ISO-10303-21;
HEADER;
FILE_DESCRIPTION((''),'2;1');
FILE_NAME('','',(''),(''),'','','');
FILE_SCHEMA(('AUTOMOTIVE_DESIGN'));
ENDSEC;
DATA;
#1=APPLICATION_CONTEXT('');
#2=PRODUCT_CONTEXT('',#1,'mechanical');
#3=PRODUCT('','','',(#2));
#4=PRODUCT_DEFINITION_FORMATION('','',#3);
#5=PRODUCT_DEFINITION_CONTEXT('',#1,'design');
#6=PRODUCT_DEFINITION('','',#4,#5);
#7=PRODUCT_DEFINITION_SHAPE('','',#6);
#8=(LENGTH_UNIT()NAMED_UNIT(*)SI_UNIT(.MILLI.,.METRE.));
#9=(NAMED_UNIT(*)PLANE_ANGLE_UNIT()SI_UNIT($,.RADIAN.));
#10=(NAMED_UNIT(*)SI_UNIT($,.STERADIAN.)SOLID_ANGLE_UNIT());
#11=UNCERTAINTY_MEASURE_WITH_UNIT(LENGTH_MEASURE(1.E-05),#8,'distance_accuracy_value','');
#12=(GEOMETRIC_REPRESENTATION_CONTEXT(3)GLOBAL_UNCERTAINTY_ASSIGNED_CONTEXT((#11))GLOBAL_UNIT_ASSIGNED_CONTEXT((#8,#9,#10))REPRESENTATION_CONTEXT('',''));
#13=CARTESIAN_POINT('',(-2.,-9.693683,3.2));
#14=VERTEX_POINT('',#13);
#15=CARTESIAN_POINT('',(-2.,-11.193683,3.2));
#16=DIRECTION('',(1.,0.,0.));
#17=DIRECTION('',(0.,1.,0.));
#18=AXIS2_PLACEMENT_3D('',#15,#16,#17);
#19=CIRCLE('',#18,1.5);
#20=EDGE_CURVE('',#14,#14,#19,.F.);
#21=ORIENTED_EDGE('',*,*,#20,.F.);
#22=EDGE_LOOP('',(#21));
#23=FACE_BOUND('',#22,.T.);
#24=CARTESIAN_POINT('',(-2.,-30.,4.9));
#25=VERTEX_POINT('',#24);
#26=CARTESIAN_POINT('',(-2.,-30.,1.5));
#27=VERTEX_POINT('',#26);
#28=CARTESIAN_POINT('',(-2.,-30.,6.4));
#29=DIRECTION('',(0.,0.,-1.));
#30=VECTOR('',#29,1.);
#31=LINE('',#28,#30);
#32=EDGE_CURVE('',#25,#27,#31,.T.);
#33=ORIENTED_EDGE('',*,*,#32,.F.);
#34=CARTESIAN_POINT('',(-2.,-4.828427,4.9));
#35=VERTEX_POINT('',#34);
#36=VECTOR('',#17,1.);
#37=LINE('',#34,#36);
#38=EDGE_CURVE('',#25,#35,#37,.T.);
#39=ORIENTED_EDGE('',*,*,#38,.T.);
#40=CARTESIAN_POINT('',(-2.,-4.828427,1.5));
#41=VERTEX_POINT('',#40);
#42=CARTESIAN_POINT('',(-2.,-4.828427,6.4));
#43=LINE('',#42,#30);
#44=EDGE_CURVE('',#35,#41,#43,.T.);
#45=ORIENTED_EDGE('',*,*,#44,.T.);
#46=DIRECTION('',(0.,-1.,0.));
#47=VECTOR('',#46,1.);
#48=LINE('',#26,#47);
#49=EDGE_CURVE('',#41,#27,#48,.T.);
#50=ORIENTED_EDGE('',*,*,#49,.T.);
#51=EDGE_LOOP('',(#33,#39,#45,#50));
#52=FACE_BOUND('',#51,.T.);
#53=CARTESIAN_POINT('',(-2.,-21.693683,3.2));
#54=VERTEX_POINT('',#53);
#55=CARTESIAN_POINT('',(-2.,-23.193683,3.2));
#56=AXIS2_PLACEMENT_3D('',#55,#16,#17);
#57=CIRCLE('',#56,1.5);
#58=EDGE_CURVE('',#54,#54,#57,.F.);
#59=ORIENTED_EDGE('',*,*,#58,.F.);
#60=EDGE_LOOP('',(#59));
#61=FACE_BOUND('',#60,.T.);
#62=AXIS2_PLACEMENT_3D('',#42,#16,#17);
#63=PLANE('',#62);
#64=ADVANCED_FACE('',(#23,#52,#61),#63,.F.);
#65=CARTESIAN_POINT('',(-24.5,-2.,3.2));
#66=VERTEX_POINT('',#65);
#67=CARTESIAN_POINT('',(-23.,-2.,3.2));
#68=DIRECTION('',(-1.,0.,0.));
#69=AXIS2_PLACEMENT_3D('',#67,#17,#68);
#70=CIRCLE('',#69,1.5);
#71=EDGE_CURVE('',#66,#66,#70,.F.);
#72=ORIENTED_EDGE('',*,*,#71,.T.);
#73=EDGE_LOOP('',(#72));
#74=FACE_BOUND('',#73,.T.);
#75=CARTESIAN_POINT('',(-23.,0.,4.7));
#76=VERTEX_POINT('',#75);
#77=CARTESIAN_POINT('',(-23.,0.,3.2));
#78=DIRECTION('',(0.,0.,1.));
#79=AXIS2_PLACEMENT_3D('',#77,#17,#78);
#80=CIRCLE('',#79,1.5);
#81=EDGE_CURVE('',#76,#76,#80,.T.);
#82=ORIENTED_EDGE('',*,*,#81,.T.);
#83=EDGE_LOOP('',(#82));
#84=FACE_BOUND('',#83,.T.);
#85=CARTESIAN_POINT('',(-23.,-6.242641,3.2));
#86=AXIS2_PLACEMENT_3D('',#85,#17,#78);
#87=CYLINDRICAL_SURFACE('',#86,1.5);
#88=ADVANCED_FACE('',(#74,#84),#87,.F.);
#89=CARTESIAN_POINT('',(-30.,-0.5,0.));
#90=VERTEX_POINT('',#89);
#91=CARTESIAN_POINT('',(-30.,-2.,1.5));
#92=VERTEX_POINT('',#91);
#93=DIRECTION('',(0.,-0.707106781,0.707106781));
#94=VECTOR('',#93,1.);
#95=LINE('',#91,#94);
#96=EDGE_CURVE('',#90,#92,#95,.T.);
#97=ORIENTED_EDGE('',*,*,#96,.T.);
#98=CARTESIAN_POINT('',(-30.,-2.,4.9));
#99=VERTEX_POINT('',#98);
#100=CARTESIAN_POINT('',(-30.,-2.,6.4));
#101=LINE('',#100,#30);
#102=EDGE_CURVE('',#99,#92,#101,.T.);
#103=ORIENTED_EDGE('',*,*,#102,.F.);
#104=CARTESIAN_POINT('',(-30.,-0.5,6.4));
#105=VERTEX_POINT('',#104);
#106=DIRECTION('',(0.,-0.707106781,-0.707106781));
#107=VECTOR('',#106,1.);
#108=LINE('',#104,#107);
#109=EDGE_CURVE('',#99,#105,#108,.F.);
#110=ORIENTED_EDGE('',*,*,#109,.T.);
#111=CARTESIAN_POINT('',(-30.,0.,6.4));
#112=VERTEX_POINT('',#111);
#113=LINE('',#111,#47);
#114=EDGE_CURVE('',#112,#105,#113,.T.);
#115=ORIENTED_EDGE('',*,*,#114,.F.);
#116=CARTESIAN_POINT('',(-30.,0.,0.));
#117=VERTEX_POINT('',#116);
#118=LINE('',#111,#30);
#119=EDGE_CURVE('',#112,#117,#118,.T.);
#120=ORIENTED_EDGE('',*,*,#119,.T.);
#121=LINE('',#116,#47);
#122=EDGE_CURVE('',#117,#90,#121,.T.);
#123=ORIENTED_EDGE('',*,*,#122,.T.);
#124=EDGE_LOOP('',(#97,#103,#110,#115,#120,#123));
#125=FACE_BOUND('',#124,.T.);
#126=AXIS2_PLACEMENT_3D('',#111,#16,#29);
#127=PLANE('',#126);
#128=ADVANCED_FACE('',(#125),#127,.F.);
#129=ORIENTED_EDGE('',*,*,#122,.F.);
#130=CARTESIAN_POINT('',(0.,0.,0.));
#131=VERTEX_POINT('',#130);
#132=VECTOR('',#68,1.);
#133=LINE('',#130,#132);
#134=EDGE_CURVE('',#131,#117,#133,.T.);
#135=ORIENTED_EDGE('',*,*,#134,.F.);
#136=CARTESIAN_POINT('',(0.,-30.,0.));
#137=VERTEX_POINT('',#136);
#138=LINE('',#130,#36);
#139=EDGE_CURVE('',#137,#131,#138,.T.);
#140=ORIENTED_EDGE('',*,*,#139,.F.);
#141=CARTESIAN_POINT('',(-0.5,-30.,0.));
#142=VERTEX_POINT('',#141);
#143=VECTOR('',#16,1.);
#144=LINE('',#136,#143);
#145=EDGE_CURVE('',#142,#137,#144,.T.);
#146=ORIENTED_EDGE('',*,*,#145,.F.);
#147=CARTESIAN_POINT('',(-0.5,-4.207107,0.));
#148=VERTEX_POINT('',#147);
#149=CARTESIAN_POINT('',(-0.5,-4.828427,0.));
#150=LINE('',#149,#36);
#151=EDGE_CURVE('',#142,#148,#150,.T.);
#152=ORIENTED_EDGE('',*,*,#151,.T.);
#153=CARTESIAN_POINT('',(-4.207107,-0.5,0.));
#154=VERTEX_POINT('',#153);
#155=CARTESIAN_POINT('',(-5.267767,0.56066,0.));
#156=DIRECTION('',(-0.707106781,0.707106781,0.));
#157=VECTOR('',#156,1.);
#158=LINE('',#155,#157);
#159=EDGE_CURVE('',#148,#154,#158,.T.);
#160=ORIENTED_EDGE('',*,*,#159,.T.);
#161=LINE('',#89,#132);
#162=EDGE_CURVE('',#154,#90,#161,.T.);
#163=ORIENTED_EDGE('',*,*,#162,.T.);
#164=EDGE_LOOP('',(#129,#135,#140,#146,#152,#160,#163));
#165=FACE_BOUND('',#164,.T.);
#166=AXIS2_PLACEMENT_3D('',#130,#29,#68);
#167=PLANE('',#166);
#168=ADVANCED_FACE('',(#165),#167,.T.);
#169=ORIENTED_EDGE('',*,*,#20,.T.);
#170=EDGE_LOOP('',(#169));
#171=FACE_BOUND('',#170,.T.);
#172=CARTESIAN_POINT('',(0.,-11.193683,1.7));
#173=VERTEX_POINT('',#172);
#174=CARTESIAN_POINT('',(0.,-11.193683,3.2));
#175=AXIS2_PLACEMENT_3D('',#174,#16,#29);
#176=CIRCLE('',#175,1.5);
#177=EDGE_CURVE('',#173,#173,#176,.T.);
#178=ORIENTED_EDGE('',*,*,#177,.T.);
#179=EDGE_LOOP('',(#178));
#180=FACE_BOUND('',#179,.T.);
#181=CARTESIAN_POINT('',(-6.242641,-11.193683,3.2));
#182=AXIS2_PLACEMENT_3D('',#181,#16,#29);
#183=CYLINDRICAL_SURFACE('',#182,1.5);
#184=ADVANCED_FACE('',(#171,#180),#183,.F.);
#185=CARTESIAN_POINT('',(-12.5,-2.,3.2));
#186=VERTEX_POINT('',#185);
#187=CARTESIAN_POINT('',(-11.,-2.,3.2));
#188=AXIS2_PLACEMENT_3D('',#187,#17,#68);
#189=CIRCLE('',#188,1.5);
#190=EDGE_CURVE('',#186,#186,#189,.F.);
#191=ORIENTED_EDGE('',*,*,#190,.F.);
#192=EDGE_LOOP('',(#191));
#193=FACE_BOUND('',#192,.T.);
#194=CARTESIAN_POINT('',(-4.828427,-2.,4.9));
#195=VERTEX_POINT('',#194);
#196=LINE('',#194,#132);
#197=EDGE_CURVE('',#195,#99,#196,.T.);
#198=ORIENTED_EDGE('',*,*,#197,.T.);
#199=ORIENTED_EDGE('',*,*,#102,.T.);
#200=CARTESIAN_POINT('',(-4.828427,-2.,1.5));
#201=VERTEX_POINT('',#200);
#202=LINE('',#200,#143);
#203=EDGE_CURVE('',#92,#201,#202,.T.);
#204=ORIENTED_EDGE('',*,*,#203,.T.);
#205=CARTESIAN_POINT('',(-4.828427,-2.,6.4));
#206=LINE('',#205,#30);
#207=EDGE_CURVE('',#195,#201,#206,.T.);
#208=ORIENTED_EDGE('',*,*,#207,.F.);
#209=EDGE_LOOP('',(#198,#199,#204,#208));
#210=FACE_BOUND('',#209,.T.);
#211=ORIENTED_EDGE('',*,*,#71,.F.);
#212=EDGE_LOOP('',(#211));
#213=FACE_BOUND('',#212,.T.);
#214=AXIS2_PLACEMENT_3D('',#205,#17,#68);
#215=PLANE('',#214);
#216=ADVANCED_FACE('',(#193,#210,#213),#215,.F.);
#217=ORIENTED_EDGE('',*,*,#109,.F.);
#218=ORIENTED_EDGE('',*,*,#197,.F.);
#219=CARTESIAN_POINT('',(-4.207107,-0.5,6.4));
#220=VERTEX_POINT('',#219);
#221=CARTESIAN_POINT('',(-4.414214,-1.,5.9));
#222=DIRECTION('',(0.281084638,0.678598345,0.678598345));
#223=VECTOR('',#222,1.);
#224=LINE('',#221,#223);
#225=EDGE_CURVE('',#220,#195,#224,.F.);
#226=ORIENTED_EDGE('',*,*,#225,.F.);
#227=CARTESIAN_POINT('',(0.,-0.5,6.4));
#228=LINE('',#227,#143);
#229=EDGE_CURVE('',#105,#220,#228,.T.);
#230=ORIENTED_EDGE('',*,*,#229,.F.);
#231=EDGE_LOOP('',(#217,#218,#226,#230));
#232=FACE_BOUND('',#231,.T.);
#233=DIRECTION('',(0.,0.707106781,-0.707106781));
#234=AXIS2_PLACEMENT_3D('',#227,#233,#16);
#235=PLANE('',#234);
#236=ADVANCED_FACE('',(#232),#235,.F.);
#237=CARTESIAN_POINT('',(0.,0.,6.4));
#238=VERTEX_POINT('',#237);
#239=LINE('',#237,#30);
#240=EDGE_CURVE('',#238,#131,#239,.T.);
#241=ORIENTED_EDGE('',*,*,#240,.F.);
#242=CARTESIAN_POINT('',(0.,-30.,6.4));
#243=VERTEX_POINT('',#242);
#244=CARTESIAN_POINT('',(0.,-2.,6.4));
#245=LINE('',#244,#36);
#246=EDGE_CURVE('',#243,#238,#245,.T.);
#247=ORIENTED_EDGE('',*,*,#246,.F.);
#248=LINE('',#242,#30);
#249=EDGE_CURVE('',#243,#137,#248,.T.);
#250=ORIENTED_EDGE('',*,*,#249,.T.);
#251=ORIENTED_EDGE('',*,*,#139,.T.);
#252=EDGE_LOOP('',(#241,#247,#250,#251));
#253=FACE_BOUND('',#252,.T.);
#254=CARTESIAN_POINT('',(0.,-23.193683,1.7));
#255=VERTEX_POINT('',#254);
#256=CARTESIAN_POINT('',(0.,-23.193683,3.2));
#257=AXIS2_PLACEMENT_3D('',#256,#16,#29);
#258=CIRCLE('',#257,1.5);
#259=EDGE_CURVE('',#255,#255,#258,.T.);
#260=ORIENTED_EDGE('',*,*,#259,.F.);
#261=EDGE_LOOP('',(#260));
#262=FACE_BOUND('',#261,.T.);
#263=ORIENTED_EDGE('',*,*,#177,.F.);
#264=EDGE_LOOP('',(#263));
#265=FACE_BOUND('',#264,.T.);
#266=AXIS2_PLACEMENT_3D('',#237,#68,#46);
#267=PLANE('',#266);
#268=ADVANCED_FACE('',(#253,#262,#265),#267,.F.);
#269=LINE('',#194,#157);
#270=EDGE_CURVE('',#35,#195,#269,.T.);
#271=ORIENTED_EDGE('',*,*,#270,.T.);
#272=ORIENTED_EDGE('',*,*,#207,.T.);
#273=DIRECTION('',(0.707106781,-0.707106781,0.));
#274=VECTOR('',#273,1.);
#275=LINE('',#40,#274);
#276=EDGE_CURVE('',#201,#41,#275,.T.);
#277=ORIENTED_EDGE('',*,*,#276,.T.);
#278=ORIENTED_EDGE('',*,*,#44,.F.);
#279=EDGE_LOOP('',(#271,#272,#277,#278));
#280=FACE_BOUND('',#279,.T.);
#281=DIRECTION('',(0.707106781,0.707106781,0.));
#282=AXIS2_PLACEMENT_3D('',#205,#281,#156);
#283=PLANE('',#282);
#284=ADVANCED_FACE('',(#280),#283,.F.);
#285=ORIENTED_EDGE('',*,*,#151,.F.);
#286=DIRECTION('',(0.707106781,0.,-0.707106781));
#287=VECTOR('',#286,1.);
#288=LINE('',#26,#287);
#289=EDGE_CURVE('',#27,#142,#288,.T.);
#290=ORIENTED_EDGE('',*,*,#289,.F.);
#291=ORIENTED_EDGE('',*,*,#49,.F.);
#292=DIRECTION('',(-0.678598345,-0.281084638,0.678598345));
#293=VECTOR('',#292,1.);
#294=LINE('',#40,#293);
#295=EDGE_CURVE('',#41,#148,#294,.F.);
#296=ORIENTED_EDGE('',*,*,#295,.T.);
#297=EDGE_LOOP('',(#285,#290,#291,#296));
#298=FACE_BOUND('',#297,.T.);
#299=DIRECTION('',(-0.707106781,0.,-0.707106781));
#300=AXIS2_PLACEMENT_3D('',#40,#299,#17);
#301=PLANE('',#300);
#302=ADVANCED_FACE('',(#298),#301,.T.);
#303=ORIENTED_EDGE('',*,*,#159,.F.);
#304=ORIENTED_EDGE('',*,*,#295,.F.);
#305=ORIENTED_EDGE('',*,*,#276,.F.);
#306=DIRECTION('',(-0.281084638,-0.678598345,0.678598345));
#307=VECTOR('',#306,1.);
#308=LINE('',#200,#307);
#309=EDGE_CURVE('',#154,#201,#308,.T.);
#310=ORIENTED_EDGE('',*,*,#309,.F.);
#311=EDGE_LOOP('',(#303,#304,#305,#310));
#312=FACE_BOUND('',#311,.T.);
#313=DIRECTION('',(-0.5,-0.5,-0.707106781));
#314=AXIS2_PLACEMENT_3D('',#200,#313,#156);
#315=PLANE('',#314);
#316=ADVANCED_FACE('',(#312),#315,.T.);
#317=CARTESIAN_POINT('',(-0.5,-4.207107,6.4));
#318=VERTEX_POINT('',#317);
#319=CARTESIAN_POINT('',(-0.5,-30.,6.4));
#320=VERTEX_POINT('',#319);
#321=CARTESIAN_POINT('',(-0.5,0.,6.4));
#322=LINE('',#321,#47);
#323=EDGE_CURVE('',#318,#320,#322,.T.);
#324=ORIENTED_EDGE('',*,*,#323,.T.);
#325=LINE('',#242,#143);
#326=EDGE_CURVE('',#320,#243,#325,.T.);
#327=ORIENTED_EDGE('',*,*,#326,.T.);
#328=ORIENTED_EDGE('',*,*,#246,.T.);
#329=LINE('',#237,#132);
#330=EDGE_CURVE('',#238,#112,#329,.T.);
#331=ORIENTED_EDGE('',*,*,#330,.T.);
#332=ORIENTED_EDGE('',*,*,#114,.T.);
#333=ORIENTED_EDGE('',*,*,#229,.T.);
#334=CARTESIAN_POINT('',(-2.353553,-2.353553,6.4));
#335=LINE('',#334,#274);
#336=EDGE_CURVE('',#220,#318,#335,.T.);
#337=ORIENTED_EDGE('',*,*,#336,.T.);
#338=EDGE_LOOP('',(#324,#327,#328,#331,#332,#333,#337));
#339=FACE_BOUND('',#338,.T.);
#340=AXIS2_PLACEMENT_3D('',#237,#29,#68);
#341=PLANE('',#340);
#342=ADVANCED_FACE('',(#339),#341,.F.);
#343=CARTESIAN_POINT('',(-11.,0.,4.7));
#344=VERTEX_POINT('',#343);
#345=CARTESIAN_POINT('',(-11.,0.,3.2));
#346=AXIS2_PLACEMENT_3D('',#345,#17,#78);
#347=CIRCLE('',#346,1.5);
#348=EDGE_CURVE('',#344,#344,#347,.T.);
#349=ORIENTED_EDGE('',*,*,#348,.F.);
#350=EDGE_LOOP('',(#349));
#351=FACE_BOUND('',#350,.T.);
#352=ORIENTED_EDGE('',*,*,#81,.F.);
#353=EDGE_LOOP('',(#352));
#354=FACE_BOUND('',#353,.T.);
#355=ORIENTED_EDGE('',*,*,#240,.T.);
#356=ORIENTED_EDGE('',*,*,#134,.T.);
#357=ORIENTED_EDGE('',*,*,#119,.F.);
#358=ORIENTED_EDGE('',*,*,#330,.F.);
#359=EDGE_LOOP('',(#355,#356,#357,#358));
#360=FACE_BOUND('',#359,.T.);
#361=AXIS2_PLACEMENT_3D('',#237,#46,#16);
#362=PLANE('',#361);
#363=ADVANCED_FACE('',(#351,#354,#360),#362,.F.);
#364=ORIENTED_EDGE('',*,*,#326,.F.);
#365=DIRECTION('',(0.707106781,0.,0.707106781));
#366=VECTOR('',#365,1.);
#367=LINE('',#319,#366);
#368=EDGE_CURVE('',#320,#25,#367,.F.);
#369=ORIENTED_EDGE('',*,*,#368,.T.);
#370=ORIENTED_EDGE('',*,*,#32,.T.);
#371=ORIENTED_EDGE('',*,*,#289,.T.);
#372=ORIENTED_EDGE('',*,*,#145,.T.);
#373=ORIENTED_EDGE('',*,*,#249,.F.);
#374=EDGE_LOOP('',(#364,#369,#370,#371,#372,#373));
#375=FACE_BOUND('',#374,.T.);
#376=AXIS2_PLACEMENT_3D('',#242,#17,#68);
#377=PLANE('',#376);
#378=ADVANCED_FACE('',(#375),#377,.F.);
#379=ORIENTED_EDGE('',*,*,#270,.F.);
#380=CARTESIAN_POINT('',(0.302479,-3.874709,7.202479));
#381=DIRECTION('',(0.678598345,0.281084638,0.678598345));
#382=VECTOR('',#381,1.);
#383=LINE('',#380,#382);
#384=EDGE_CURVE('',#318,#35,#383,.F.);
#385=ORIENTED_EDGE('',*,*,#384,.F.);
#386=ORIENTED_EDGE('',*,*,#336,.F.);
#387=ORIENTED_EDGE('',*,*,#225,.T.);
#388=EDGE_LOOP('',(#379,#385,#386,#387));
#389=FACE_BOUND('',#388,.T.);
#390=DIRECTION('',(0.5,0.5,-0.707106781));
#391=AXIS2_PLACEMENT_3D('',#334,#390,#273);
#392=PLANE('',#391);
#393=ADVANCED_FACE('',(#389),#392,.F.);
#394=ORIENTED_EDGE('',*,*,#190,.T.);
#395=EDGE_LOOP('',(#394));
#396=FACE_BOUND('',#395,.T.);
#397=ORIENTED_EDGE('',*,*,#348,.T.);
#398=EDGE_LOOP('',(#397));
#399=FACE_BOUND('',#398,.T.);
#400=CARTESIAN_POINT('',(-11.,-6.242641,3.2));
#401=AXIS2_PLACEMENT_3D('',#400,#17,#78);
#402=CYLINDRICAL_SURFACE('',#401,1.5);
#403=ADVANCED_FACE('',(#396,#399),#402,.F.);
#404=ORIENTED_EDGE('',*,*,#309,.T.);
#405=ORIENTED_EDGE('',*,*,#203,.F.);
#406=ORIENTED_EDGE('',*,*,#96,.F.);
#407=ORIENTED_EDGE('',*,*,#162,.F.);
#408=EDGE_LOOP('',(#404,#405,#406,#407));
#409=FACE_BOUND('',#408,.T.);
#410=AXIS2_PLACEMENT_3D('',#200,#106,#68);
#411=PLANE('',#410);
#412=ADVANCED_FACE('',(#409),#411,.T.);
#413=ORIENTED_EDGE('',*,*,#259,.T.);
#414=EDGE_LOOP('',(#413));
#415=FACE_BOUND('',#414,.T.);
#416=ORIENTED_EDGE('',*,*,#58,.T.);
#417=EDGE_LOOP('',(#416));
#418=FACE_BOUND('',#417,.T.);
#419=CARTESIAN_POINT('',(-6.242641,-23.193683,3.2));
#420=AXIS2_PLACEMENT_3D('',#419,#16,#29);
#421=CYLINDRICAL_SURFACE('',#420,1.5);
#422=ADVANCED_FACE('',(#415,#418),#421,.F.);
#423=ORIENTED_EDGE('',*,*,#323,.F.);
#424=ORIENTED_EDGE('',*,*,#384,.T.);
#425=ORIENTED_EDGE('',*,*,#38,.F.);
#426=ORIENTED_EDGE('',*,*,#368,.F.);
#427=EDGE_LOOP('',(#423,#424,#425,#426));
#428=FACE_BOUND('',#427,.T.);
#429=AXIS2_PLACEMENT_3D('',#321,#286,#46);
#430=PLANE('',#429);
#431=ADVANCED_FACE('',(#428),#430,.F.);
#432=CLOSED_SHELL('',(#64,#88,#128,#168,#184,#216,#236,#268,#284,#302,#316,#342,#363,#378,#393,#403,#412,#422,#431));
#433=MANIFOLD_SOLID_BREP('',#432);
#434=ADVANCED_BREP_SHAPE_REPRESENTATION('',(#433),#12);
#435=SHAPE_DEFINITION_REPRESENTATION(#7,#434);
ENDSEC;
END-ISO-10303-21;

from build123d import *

# Parameters (mm, degrees)
BOSS_EXTRUDE1_DEPTH = 6.4
SKETCH2_R           = 1.5
CUT_EXTRUDE1_DEPTH  = 2
SKETCH3_R           = 1.5
CUT_EXTRUDE2_DEPTH  = 2
CHAMFER9_SIZE       = 1.5
CHAMFER10_SIZE      = 1.5
CHAMFER11_SIZE      = 1.5


with BuildPart() as part:
    # Sketch1 → Boss-Extrude1 (new body)
    with BuildSketch(Plane.XY):
        Polygon((-4.828427125, -2), (-2, -4.828427125), (-2, -30), (0, -30), (0, -2), (0, 0), (-30, 0), (-30, -2), align=None)
    extrude(amount=BOSS_EXTRUDE1_DEPTH)

    # Sketch2 → Cut-Extrude1 (cut)
    with BuildSketch(Plane(origin=(0, 0, 0), x_dir=(1, 0, 0), z_dir=(0, 1, 0))):
        with Locations((-23, -3.2)):
            Circle(SKETCH2_R)
        with Locations((-11, -3.2)):
            Circle(SKETCH2_R)
    extrude(amount=-CUT_EXTRUDE1_DEPTH, mode=Mode.SUBTRACT)

    # Sketch3 → Cut-Extrude2 (cut)
    with BuildSketch(Plane(origin=(0, 0, 0), x_dir=(0, 0, -1), z_dir=(1, 0, 0))):
        with Locations((-3.2, -11.193683163)):
            Circle(SKETCH3_R)
        with Locations((-3.2, -23.193683163)):
            Circle(SKETCH3_R)
    extrude(amount=-CUT_EXTRUDE2_DEPTH, mode=Mode.SUBTRACT)

    # Chamfer9
    chamfer9_edges = [part.edges().sort_by_distance(p)[0] for p in [
        (-17.414213562, -2, 0),
    ]]
    chamfer(chamfer9_edges, length=CHAMFER9_SIZE)

    # Chamfer10
    chamfer10_edges = [part.edges().sort_by_distance(p)[0] for p in [
        (-2, -17.414213562, 0),
        (-3.414213562, -3.414213562, 0),
    ]]
    chamfer(chamfer10_edges, length=CHAMFER10_SIZE)

    # Chamfer11
    chamfer11_edges = [part.edges().sort_by_distance(p)[0] for p in [
        (-17.414213562, -2, 6.4),
        (-3.414213562, -3.414213562, 6.4),
        (-2, -17.414213562, 6.4),
    ]]
    chamfer(chamfer11_edges, length=CHAMFER11_SIZE)


solid = part.part
